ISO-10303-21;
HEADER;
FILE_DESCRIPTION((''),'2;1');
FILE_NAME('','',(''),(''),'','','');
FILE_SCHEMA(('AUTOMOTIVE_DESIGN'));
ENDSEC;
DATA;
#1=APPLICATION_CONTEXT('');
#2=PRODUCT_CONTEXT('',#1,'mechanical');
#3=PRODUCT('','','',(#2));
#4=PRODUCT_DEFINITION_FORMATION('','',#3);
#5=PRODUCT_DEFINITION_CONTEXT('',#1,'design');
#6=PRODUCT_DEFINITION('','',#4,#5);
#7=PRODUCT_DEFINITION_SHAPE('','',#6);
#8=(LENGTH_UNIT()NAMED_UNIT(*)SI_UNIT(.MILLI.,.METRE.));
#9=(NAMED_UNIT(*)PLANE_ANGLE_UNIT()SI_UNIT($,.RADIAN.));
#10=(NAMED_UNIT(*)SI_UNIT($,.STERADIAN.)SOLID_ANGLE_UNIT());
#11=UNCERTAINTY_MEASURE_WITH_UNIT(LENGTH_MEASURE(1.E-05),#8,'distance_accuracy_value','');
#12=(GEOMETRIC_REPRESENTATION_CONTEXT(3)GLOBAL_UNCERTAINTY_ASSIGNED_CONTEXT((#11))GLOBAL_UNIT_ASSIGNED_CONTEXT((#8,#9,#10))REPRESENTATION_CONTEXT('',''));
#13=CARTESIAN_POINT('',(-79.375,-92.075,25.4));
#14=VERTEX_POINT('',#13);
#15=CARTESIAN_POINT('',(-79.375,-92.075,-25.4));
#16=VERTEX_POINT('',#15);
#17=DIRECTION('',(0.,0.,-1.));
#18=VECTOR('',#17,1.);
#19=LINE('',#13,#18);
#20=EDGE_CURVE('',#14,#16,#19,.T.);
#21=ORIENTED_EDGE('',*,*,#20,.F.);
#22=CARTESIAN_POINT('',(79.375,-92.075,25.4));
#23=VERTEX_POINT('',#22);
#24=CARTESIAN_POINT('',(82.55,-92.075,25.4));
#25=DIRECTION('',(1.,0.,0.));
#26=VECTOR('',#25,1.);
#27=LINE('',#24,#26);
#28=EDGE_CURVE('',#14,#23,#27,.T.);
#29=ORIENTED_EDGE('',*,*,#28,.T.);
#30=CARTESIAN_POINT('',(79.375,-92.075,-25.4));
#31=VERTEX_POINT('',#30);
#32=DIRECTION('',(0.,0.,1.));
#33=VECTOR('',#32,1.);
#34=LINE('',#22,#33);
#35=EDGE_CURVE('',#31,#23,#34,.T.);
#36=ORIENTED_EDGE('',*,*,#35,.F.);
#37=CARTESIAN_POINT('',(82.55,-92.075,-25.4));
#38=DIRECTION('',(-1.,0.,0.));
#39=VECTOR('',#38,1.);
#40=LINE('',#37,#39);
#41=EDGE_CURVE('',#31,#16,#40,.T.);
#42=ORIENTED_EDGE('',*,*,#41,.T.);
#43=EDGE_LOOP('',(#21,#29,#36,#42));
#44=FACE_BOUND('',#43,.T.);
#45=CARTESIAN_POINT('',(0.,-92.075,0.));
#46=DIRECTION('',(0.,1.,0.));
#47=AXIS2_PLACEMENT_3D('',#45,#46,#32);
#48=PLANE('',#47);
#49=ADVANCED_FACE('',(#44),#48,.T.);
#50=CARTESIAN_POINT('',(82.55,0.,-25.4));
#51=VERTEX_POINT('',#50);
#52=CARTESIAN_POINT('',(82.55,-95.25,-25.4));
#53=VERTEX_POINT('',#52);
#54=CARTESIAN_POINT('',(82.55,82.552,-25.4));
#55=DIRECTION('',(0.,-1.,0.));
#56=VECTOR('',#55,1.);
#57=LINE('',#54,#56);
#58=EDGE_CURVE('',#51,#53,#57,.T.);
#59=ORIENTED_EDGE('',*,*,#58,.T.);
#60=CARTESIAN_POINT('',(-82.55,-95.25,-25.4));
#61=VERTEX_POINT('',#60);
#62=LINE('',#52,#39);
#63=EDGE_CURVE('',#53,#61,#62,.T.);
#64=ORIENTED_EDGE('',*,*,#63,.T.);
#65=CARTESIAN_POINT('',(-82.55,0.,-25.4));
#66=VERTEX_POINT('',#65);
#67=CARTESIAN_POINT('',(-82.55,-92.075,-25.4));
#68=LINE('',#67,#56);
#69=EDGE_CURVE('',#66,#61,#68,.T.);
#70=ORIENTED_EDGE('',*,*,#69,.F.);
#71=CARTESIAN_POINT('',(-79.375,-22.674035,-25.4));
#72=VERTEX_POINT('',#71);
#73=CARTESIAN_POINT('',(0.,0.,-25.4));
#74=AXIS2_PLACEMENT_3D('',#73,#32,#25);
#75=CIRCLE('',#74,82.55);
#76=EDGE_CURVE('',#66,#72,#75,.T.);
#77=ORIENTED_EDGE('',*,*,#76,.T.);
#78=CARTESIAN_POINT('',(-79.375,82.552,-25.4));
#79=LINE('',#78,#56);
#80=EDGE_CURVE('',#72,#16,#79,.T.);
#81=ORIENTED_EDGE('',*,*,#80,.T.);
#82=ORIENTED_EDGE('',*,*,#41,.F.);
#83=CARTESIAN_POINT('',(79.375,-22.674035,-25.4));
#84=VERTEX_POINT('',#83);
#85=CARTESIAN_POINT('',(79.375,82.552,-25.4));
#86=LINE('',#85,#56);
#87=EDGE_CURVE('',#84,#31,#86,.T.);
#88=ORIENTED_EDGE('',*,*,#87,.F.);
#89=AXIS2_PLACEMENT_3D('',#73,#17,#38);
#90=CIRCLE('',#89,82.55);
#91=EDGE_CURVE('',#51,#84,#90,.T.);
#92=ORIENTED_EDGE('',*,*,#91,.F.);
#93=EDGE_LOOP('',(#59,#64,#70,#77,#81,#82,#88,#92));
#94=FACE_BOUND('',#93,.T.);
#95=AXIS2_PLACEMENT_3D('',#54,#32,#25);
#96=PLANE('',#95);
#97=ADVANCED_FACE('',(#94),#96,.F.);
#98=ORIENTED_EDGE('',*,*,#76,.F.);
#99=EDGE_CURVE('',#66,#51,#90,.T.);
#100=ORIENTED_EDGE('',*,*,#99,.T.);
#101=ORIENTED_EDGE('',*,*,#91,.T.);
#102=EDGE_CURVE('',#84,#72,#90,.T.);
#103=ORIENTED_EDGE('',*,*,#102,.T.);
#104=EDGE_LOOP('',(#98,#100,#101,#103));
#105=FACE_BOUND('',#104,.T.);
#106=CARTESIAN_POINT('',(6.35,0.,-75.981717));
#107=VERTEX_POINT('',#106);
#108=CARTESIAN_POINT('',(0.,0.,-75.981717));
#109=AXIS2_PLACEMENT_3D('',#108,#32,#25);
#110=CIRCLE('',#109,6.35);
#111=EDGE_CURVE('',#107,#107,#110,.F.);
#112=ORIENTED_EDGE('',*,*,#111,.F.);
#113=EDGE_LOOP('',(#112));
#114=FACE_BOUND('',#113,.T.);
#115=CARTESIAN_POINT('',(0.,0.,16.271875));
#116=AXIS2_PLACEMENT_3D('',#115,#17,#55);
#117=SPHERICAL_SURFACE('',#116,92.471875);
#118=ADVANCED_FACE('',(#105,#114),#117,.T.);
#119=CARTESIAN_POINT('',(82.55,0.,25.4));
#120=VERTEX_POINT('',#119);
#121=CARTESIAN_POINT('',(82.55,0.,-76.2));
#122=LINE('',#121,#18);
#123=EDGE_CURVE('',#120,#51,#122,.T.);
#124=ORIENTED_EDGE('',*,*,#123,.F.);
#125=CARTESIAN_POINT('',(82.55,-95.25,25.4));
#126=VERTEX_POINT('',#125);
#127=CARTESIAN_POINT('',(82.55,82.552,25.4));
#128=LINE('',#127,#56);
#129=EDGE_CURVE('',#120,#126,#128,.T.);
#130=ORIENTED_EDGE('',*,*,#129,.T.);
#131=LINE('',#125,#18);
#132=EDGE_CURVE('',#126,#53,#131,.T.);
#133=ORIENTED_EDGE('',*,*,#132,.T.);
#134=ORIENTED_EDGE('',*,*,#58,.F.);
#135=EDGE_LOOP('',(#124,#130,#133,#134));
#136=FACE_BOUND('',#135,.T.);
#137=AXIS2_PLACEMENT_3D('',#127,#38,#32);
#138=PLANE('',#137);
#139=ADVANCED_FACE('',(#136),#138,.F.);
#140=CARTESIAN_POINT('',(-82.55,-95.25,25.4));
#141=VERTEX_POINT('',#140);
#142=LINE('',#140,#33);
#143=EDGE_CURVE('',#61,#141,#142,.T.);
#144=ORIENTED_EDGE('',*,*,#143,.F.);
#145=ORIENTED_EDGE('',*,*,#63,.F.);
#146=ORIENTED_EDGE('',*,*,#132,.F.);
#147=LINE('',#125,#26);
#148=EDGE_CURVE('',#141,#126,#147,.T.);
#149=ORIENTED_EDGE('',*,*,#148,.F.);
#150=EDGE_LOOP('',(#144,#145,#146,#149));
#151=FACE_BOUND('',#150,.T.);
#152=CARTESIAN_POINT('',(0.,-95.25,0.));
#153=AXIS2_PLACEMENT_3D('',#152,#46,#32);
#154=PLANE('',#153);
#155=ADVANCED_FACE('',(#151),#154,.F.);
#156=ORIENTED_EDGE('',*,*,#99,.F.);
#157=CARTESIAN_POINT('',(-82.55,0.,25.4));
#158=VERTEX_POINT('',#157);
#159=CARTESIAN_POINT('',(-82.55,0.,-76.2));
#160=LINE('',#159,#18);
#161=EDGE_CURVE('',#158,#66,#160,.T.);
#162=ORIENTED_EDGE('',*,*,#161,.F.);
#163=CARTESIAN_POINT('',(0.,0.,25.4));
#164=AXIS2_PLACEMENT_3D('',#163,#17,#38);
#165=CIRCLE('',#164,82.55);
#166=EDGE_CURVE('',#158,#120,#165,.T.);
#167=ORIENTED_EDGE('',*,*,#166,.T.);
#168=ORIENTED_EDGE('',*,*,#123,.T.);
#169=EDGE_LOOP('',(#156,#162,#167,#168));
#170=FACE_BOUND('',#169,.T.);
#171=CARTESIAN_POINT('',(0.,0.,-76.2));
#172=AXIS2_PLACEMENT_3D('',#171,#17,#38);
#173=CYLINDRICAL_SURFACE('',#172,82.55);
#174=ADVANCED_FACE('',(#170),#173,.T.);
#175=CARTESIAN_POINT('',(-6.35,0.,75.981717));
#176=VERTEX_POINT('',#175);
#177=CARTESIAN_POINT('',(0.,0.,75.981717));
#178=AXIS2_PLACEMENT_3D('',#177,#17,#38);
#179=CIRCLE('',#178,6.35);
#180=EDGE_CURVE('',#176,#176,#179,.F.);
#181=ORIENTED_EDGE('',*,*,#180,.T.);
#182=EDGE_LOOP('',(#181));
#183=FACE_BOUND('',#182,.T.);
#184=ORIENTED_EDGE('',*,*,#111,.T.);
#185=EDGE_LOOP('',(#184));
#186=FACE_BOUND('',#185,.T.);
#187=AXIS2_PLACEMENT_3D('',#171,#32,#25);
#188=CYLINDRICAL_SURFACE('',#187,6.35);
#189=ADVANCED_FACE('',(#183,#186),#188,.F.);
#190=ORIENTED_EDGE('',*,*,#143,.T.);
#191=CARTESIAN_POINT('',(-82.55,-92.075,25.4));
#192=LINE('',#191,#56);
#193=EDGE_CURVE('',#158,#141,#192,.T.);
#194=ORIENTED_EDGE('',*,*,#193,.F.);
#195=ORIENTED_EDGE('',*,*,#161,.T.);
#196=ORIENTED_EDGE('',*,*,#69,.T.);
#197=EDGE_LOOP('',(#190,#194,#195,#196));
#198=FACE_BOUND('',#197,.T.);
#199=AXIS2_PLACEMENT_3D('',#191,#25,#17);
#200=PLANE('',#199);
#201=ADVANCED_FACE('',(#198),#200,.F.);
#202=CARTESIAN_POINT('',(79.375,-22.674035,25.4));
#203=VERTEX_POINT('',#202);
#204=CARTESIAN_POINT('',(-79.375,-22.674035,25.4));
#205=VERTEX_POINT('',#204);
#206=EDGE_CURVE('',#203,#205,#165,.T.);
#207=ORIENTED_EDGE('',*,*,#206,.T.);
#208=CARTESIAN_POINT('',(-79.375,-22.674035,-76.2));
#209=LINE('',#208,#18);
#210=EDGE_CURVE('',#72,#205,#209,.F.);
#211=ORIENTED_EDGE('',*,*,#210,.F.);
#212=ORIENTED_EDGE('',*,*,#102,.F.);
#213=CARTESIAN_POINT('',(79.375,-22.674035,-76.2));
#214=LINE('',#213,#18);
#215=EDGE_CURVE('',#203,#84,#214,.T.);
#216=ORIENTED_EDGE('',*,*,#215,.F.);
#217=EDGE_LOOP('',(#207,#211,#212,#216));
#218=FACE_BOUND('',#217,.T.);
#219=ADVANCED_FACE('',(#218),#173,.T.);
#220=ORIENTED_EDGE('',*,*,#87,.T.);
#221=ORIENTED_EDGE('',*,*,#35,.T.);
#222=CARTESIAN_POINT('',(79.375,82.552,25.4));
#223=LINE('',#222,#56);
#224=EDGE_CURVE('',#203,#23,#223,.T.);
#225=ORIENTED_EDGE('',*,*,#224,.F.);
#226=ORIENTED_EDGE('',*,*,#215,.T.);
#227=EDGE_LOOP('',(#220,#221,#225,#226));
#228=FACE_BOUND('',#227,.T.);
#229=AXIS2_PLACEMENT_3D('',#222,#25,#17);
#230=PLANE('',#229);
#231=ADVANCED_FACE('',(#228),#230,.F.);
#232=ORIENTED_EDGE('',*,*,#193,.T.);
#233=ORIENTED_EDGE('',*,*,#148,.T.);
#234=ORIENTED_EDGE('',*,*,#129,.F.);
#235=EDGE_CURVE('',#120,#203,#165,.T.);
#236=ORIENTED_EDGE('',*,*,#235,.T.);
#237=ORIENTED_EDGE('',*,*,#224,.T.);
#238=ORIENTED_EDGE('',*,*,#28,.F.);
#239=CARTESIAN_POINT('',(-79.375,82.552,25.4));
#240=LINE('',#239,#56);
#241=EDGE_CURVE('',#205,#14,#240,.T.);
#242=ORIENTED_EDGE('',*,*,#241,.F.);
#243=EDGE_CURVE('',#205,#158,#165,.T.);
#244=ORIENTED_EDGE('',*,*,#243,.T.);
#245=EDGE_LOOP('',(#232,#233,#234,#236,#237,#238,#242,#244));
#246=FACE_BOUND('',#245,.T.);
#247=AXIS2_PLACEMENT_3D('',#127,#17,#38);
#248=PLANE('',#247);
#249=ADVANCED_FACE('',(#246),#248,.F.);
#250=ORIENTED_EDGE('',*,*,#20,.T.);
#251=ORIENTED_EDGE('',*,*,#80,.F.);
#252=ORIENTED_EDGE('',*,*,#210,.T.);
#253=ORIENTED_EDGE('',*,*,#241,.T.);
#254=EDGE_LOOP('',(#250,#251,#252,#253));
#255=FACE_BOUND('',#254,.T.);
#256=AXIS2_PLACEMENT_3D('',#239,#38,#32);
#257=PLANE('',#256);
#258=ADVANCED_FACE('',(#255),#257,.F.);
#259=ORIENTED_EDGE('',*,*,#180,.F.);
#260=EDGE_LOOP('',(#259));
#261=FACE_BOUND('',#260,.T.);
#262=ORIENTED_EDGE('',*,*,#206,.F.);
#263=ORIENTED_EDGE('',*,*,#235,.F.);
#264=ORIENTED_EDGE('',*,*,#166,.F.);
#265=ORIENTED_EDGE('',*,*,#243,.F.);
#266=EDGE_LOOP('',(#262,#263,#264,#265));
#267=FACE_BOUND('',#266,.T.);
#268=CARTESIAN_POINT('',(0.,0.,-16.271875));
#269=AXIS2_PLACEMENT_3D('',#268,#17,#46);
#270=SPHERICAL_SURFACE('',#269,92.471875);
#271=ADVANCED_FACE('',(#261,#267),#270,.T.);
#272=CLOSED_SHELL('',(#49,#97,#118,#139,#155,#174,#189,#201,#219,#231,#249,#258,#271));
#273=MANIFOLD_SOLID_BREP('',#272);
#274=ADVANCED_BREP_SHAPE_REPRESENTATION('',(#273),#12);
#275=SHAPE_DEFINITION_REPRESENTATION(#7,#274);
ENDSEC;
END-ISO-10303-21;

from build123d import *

# Parameters (mm, degrees)
CUT_EXTRUDE1_DEPTH       = 140.411064841
CUT_EXTRUDE1_DEPTH_BACK  = 140.411064841
SKETCH2_R                = 6.35
SKETCH3_W                = 165.1
SKETCH3_H                = 50.8
BOSS_EXTRUDE1_DEPTH      = 3.175
BOSS_EXTRUDE2_REACH      = 209.561
BOSS_EXTRUDE2_END_RADIUS = 82.55
SKETCH5_W                = 3.175
SKETCH5_H                = 50.8


with BuildPart() as part:
    # Sketch1 → Revolve1 (revolve)
    with BuildSketch(Plane(origin=(0, 0, 0), x_dir=(0, 0, -1), z_dir=(1, 0, 0)), mode=Mode.PRIVATE) as revolve1_sk:
        with BuildLine():
            Line((25.4, 82.55), (-25.4, 82.55))
            ThreePointArc((-25.4, 82.55), (-62.482566405, 48.464271634), (-76.2, 0))
            Line((-76.2, 0), (76.2, 0))
            ThreePointArc((76.2, 0), (62.482566405, 48.464271634), (25.4, 82.55))
        make_face()
    revolve(revolve1_sk.sketch.rotate(Axis((0, 0, -76.2), (0, 0, 1)), 90), axis=Axis((0, 0, -76.2), (0, 0, 1)))

    # Sketch2 → Cut-Extrude1 (cut, two sides: drawn at the far end of the back side and taken through both)
    with BuildSketch(Plane.XY.offset(-CUT_EXTRUDE1_DEPTH_BACK)):
        with Locations(Location((0, 0, 0), (0, 0, 90))):
            Circle(SKETCH2_R)
    extrude(amount=CUT_EXTRUDE1_DEPTH + CUT_EXTRUDE1_DEPTH_BACK, mode=Mode.SUBTRACT)



with BuildPart() as body_2:
    # Sketch3 → Boss-Extrude1 (new body)
    with BuildSketch(Plane(origin=(0, -95.25, 0), x_dir=(1, 0, 0), z_dir=(0, 1, 0))):
        Rectangle(SKETCH3_W, SKETCH3_H)
    extrude(amount=BOSS_EXTRUDE1_DEPTH)


with BuildPart() as part_1:
    add(part.part)

    add(body_2.part)  # Boss-Extrude2 merges body 2
    # Boss-Extrude2: up to this cylinder (the profile starts outside it)
    boss_extrude2_end = Plane(origin=(0, 0, 0), z_dir=(0, 0, -1)) * Cylinder(BOSS_EXTRUDE2_END_RADIUS, 585.222, mode=Mode.PRIVATE)
    # Sketch5 → Boss-Extrude2 (add, up to the surface)
    with BuildSketch(Plane(origin=(0, -92.075, 0), x_dir=(1, 0, 0), z_dir=(0, 1, 0)), mode=Mode.PRIVATE) as boss_extrude2_sk1:
        with Locations((80.9625, 0)):
            Rectangle(SKETCH5_W, SKETCH5_H)
    boss_extrude2_tool1 = extrude(boss_extrude2_sk1.sketch, amount=BOSS_EXTRUDE2_REACH, mode=Mode.PRIVATE) - boss_extrude2_end
    add(boss_extrude2_tool1.solids().sort_by_distance((80.9625, -92.075, 0))[0])
    # Sketch5 → Boss-Extrude2 (add, up to the surface)
    with BuildSketch(Plane(origin=(0, -92.075, 0), x_dir=(1, 0, 0), z_dir=(0, 1, 0)), mode=Mode.PRIVATE) as boss_extrude2_sk2:
        with Locations((-80.9625, 0)):
            Rectangle(SKETCH5_W, SKETCH5_H)
    boss_extrude2_tool2 = extrude(boss_extrude2_sk2.sketch, amount=BOSS_EXTRUDE2_REACH, mode=Mode.PRIVATE) - boss_extrude2_end
    add(boss_extrude2_tool2.solids().sort_by_distance((-80.9625, -92.075, 0))[0])


solid = part_1.part
